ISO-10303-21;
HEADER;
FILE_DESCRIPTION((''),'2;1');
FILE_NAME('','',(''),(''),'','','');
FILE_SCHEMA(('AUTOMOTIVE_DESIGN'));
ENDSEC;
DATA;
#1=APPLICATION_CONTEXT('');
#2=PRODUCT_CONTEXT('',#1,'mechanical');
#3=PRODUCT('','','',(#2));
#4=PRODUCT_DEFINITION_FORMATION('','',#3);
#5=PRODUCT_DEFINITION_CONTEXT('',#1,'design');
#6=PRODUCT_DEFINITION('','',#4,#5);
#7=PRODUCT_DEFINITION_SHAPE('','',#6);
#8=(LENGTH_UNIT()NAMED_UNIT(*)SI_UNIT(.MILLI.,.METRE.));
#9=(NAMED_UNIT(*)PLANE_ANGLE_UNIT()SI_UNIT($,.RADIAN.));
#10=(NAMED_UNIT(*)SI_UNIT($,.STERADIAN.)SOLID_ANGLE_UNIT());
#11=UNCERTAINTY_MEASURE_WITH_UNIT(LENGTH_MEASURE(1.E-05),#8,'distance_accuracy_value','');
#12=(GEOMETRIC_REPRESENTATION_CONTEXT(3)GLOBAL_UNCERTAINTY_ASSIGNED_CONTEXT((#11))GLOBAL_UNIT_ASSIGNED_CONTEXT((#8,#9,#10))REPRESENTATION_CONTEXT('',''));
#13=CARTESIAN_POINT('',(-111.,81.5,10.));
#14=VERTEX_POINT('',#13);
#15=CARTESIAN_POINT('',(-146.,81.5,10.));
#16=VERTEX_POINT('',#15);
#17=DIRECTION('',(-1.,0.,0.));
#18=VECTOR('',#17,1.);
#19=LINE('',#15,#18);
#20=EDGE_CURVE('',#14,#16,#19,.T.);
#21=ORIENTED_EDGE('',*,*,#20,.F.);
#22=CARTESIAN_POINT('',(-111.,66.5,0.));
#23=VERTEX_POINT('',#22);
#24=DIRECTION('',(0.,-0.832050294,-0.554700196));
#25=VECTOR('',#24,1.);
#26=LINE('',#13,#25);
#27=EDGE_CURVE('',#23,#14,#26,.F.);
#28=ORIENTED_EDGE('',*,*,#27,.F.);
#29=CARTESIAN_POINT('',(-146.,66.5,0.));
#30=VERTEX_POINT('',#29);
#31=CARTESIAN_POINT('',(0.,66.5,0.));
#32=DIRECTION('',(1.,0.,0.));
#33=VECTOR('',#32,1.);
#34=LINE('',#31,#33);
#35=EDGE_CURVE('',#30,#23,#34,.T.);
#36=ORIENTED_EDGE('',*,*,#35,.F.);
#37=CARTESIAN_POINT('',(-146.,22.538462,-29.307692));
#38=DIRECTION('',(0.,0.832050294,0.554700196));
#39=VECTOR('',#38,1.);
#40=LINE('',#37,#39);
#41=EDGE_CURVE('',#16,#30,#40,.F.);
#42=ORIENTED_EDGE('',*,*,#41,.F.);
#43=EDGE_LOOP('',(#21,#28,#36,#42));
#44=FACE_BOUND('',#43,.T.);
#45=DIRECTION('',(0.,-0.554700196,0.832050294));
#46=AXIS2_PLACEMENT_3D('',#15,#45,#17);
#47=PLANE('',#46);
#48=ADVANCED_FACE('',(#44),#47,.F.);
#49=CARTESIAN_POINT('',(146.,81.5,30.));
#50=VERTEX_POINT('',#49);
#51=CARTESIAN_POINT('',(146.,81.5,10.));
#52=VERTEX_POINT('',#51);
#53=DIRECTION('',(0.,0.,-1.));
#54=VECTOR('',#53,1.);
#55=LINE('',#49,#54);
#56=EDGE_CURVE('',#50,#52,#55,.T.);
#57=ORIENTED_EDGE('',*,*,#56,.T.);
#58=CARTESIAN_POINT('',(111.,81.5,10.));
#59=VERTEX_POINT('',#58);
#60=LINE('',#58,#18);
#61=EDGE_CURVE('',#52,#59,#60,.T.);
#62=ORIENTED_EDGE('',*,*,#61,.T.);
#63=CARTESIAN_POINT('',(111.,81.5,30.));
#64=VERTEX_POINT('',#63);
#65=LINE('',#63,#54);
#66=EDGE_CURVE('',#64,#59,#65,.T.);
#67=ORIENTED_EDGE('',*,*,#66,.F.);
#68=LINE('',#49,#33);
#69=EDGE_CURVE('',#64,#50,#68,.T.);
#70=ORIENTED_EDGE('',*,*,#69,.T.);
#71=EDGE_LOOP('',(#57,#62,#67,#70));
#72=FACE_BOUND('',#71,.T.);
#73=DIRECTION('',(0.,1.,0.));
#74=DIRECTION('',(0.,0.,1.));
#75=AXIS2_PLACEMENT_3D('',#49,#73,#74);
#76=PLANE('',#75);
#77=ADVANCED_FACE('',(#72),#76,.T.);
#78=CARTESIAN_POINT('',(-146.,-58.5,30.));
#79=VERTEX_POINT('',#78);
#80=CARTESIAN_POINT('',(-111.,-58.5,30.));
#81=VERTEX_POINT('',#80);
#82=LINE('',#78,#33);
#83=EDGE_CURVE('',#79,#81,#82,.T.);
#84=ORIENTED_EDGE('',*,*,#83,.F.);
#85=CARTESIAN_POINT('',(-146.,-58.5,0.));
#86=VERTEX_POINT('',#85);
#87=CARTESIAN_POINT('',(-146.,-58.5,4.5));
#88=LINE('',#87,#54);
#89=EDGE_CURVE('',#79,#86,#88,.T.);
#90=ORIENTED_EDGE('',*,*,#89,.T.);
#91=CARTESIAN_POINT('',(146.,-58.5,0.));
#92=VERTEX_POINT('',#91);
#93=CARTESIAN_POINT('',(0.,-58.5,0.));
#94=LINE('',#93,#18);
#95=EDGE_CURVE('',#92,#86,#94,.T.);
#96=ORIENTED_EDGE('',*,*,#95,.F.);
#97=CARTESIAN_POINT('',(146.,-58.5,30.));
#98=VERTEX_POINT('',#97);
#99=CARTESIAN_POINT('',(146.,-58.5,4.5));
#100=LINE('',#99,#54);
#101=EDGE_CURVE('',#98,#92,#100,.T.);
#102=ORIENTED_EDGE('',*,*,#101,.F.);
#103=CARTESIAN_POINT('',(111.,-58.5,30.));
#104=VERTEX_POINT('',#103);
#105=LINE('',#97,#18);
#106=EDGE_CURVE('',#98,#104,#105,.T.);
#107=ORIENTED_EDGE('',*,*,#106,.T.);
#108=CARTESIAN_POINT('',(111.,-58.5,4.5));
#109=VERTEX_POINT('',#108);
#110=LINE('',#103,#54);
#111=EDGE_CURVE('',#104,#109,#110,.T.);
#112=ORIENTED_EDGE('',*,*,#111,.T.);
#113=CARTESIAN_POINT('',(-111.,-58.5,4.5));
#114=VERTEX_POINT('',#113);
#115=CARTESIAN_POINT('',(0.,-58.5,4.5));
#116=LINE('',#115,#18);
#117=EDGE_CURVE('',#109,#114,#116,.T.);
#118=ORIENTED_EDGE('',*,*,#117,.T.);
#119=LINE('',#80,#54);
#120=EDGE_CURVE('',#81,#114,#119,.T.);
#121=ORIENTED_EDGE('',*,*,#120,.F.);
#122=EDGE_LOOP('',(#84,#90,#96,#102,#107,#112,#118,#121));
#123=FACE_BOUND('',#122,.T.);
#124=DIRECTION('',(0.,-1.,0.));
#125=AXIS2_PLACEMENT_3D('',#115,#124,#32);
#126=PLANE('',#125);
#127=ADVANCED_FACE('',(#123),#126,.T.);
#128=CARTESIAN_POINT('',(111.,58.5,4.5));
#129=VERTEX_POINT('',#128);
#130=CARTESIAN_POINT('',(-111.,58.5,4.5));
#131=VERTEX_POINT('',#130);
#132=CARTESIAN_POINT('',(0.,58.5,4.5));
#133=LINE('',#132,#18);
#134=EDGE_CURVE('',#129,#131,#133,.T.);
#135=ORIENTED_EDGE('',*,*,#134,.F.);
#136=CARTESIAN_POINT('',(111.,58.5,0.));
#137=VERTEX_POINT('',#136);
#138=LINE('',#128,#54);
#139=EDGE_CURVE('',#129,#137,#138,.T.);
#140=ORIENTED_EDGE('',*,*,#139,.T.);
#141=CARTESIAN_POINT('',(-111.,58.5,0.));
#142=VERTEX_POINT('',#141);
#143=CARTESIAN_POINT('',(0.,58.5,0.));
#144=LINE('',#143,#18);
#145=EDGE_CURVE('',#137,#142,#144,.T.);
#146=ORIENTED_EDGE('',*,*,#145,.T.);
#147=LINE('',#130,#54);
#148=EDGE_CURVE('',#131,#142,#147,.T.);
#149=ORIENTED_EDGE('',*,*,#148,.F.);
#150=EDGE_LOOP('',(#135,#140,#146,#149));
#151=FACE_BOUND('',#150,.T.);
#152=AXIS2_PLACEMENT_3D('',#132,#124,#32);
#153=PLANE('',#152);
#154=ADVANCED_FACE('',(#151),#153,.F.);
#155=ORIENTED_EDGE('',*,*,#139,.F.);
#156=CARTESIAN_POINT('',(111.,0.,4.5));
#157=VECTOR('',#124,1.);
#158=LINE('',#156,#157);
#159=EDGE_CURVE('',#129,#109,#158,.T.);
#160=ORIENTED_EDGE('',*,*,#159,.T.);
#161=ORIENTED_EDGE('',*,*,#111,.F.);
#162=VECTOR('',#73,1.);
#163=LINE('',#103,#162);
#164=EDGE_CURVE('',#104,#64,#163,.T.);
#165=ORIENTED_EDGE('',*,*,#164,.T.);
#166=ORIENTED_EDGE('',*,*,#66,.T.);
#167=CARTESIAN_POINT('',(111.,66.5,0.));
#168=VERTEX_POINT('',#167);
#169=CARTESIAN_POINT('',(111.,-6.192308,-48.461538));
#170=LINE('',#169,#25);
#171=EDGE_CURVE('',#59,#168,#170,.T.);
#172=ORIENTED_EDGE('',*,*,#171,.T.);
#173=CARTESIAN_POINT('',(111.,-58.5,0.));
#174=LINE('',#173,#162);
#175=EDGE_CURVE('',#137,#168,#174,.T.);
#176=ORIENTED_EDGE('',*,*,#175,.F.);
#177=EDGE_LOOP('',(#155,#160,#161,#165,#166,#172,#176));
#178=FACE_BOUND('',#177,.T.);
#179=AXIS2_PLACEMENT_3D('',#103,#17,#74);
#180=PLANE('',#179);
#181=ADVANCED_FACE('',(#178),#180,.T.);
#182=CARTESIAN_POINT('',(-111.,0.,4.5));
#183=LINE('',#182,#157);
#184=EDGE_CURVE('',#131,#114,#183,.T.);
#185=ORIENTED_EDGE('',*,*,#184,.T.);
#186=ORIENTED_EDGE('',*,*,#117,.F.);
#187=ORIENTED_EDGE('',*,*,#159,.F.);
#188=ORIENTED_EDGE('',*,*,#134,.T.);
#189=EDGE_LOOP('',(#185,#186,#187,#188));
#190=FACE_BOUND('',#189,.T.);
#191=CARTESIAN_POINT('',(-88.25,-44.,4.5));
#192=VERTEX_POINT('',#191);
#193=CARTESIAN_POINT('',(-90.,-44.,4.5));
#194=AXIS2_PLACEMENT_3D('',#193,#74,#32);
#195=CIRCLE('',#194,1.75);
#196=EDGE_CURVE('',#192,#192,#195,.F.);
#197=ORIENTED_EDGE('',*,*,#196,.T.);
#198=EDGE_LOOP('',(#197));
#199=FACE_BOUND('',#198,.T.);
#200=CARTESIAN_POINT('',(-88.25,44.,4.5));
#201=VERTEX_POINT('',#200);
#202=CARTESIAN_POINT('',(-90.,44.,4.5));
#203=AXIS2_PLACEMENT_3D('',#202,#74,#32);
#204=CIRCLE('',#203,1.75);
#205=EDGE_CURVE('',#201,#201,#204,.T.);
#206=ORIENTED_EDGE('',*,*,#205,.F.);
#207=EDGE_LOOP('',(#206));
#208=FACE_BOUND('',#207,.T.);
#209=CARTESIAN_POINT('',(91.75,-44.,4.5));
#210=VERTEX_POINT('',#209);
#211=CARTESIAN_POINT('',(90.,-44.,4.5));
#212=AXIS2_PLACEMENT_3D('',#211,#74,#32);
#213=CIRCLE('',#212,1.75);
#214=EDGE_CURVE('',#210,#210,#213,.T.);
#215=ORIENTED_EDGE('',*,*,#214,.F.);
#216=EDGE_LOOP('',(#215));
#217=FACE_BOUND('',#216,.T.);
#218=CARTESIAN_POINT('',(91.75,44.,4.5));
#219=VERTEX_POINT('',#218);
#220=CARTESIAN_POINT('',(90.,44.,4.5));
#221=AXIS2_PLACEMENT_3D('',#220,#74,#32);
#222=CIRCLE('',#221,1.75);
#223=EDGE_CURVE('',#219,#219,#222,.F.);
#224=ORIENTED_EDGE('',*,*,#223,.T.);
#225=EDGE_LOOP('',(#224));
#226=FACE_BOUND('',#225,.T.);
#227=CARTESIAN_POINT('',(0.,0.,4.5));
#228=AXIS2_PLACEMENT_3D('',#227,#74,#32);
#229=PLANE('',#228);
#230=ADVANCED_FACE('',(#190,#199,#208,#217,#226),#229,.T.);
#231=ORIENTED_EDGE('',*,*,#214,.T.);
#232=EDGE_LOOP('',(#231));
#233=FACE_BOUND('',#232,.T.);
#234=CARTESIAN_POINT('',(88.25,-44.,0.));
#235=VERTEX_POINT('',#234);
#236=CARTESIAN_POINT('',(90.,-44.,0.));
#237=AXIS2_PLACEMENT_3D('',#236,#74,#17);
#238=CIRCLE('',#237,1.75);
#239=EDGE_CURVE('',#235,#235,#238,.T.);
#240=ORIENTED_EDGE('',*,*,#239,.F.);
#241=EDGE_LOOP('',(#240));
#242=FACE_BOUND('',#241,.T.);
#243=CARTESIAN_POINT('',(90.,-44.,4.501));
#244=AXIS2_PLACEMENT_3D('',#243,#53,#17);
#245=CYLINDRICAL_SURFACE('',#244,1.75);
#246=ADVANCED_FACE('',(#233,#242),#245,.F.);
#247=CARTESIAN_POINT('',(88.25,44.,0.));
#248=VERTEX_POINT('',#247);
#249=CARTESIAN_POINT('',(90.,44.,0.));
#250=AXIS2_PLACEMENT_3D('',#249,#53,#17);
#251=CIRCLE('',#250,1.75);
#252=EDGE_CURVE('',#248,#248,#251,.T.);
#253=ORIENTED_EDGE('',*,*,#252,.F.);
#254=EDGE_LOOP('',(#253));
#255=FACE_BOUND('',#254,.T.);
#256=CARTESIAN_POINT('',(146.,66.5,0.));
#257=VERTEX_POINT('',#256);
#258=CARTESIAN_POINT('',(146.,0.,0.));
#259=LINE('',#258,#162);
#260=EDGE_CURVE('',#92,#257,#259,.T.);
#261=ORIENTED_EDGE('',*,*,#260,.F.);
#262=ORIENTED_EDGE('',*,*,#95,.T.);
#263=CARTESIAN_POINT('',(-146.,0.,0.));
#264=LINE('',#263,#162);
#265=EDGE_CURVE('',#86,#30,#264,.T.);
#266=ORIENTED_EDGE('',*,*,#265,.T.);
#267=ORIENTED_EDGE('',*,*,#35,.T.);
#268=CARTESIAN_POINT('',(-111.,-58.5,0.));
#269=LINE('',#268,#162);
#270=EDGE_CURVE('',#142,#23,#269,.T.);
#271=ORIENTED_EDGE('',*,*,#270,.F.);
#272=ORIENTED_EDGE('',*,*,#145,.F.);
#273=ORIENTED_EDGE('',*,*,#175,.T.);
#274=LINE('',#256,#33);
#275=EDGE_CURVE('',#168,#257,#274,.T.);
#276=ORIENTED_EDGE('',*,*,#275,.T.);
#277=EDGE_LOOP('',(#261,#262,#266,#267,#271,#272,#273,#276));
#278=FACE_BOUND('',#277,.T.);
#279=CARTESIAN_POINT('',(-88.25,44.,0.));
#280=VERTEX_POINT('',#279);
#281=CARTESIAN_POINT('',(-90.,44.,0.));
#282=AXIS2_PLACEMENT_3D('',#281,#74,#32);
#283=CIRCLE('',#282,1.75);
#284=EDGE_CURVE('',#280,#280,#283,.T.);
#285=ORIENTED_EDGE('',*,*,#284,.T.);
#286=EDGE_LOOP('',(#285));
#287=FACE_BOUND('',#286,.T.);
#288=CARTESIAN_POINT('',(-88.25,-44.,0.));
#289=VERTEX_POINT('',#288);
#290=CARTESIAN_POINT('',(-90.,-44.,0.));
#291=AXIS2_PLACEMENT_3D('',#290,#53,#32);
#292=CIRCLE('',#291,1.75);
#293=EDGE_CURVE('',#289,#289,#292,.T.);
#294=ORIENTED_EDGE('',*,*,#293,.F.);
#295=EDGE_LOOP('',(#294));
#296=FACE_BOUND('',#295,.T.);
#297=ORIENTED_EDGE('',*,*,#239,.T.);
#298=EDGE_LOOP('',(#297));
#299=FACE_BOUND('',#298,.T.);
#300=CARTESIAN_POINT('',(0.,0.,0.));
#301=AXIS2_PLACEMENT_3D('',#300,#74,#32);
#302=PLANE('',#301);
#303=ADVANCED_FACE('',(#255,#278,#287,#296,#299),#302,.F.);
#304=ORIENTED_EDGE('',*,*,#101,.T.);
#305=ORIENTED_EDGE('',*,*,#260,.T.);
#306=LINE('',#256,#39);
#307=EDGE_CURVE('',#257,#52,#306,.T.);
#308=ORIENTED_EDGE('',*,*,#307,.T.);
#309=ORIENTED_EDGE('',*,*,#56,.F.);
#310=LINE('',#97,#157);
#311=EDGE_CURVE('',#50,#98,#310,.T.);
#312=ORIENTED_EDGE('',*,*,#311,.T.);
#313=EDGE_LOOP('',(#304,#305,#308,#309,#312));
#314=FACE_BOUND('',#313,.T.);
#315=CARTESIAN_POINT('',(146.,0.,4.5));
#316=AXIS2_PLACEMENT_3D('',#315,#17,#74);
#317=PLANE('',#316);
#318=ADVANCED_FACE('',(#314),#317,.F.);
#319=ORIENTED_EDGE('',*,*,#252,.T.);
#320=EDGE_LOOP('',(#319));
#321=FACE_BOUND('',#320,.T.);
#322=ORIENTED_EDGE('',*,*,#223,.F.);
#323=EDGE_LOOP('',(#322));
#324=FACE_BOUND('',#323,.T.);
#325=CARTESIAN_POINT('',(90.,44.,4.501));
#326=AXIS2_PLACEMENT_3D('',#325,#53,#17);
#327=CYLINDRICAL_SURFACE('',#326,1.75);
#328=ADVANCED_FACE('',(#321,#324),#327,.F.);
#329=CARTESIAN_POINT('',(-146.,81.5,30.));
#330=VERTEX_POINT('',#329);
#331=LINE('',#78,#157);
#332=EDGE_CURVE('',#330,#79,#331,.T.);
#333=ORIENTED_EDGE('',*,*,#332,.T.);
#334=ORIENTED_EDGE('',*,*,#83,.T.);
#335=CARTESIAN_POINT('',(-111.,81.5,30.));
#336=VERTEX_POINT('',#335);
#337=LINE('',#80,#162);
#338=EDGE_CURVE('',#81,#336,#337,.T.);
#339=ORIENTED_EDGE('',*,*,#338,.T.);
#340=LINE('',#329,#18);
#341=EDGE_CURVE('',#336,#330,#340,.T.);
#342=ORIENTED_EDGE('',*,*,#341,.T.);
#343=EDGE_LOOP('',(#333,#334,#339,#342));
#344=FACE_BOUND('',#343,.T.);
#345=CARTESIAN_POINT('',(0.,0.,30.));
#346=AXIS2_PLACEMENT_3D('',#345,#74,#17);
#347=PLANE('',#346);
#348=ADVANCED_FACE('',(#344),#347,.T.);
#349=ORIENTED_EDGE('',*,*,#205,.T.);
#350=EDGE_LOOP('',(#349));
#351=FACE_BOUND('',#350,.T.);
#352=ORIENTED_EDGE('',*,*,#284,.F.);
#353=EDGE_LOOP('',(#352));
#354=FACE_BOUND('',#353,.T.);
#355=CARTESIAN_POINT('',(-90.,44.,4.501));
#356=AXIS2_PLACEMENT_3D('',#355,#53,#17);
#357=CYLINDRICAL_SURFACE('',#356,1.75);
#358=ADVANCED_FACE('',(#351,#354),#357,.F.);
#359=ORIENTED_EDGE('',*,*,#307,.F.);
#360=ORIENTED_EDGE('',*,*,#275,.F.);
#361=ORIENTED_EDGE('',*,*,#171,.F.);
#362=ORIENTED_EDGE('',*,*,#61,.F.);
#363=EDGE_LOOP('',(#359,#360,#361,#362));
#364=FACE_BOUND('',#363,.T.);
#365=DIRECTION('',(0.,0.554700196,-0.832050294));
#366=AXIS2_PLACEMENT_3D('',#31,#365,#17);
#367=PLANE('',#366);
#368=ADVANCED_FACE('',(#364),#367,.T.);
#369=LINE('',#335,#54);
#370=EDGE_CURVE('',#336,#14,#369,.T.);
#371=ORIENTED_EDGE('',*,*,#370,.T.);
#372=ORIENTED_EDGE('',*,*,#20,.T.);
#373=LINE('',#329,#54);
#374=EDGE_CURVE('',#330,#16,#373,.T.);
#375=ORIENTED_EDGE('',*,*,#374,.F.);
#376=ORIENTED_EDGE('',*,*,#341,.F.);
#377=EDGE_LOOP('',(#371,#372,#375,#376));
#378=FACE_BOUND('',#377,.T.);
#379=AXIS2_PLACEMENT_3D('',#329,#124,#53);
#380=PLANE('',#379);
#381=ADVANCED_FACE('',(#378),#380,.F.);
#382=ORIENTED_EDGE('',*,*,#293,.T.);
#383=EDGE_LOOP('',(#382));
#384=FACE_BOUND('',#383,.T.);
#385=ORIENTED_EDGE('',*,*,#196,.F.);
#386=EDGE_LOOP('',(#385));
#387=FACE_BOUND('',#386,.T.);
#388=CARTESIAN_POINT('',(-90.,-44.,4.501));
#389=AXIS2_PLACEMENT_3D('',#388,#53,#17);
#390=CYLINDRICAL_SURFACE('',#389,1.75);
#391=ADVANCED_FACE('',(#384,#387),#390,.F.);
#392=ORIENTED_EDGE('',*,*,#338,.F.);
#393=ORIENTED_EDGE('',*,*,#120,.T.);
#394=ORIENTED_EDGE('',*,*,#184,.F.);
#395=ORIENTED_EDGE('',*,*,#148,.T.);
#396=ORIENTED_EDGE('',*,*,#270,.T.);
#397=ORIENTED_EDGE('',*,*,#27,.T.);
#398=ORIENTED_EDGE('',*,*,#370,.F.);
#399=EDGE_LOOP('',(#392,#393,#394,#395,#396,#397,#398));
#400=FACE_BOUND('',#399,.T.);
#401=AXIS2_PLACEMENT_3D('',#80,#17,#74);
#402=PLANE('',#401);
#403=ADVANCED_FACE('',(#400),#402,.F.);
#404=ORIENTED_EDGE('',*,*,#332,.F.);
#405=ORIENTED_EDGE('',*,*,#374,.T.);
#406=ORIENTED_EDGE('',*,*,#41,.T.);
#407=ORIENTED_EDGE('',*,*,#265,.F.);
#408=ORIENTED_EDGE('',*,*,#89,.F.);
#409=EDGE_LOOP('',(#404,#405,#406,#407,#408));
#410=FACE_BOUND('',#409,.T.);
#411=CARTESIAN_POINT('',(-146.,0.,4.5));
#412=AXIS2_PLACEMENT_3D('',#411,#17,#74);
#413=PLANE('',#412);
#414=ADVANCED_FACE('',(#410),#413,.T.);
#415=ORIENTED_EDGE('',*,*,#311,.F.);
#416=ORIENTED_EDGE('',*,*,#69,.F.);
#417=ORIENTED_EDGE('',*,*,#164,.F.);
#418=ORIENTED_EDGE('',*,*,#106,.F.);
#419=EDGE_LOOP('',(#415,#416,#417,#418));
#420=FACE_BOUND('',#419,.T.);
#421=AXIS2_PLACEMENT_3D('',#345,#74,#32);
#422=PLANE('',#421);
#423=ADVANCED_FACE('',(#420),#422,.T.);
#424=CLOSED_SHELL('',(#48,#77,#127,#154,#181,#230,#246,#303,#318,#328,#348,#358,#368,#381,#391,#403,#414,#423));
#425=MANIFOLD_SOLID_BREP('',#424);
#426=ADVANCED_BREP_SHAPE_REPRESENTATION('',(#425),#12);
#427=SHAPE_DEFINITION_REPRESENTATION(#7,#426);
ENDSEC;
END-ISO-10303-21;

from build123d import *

# Parameters (mm, degrees)
SKETCH1_W               = 292
SKETCH1_H               = 117
BOSS_EXTRUDE1_DEPTH     = 4.5
CUT_EXTRUDE1_REACH      = 159.348
SKETCH1_3_R             = 1.75
MIRROR3_COPY_1_REACH    = 159.348
MIRROR3_COPY_1_SKETCH_R = 1.75
MIRROR3_COPY_2_REACH    = 159.348
MIRROR3_COPY_2_SKETCH_R = 1.75
SKETCH2_W               = 35
SKETCH2_H               = 140
BOSS_EXTRUDE2_DEPTH     = 30
CHAMFER1_SIZE           = 10
CHAMFER1_SIZE2          = 15
CHAMFER2_SIZE           = 15
CHAMFER2_SIZE2          = 10


with BuildPart() as part:
    # Sketch1 → Boss-Extrude1 (new body)
    with BuildSketch(Plane.XY):
        Rectangle(SKETCH1_W, SKETCH1_H)
    extrude(amount=BOSS_EXTRUDE1_DEPTH)

    # Sketch1<3> → Cut-Extrude1 (cut, up to next)
    with BuildSketch(Plane.XY, mode=Mode.PRIVATE) as cut_extrude1_sk1:
        with Locations((-90, 44)):
            Circle(SKETCH1_3_R)
    cut_extrude1_tool1 = extrude(cut_extrude1_sk1.sketch, amount=CUT_EXTRUDE1_REACH, mode=Mode.PRIVATE) & part.part
    cut_extrude1 = cut_extrude1_tool1.solids().sort_by_distance((-90, 44, 0))[0]
    add(cut_extrude1, mode=Mode.SUBTRACT)

    # Mirror2: Cut-Extrude1 across plane
    add(cut_extrude1.mirror(Plane.ZX), mode=Mode.SUBTRACT)

    # Mirror3 copy 1 sketch → Mirror3 copy 1 (cut, up to next)
    with BuildSketch(Plane(origin=(0, 0, 0), x_dir=(-1, 0, 0), z_dir=(0, 0, 1)), mode=Mode.PRIVATE) as mirror3_copy_1_sk1:
        with Locations((-90, 44)):
            Circle(MIRROR3_COPY_1_SKETCH_R)
    mirror3_copy_1_tool1 = extrude(mirror3_copy_1_sk1.sketch, amount=MIRROR3_COPY_1_REACH, mode=Mode.PRIVATE) & part.part
    add(mirror3_copy_1_tool1.solids().sort_by_distance((90, -44, 0))[0], mode=Mode.SUBTRACT)

    # Mirror3 copy 2 sketch → Mirror3 copy 2 (cut, up to next)
    with BuildSketch(Plane(origin=(0, 0, 0), x_dir=(-1, 0, 0), z_dir=(0, 0, 1)), mode=Mode.PRIVATE) as mirror3_copy_2_sk1:
        with Locations((-90, -44)):
            Circle(MIRROR3_COPY_2_SKETCH_R)
    mirror3_copy_2_tool1 = extrude(mirror3_copy_2_sk1.sketch, amount=MIRROR3_COPY_2_REACH, mode=Mode.PRIVATE) & part.part
    add(mirror3_copy_2_tool1.solids().sort_by_distance((90, 44, 0))[0], mode=Mode.SUBTRACT)

    # Sketch2 → Boss-Extrude2 (add)
    with BuildSketch(Plane(origin=(0, 0, 0), x_dir=(-1, 0, 0), z_dir=(0, 0, -1))):
        with Locations((-128.5, 11.5)):
            Rectangle(SKETCH2_W, SKETCH2_H)
    boss_extrude2 = extrude(amount=-BOSS_EXTRUDE2_DEPTH)

    # Chamfer1
    chamfer1_edges = [part.edges().sort_by_distance(p)[0] for p in [
        (128.5, 81.5, 0),
    ]]
    chamfer1_side = [part.faces().sort_by_distance(p)[0] for p in [
        (128.5, 81.5, 15),
    ]]
    chamfer(chamfer1_edges, length=CHAMFER1_SIZE, length2=CHAMFER1_SIZE2, reference=chamfer1_side[0])

    # Mirror5: Boss-Extrude2 across plane
    add(boss_extrude2.mirror(Plane(origin=(0, 0, 0), x_dir=(0, 0, 1), z_dir=(1, 0, 0))))

    # Chamfer2
    chamfer2_edges = [part.edges().sort_by_distance(p)[0] for p in [
        (-128.5, 81.5, 0),
    ]]
    chamfer2_side = [part.faces().sort_by_distance(p)[0] for p in [
        (-1.915975925, 2.0973848, 0),
    ]]
    chamfer(chamfer2_edges, length=CHAMFER2_SIZE, length2=CHAMFER2_SIZE2, reference=chamfer2_side[0])


solid = part.part
